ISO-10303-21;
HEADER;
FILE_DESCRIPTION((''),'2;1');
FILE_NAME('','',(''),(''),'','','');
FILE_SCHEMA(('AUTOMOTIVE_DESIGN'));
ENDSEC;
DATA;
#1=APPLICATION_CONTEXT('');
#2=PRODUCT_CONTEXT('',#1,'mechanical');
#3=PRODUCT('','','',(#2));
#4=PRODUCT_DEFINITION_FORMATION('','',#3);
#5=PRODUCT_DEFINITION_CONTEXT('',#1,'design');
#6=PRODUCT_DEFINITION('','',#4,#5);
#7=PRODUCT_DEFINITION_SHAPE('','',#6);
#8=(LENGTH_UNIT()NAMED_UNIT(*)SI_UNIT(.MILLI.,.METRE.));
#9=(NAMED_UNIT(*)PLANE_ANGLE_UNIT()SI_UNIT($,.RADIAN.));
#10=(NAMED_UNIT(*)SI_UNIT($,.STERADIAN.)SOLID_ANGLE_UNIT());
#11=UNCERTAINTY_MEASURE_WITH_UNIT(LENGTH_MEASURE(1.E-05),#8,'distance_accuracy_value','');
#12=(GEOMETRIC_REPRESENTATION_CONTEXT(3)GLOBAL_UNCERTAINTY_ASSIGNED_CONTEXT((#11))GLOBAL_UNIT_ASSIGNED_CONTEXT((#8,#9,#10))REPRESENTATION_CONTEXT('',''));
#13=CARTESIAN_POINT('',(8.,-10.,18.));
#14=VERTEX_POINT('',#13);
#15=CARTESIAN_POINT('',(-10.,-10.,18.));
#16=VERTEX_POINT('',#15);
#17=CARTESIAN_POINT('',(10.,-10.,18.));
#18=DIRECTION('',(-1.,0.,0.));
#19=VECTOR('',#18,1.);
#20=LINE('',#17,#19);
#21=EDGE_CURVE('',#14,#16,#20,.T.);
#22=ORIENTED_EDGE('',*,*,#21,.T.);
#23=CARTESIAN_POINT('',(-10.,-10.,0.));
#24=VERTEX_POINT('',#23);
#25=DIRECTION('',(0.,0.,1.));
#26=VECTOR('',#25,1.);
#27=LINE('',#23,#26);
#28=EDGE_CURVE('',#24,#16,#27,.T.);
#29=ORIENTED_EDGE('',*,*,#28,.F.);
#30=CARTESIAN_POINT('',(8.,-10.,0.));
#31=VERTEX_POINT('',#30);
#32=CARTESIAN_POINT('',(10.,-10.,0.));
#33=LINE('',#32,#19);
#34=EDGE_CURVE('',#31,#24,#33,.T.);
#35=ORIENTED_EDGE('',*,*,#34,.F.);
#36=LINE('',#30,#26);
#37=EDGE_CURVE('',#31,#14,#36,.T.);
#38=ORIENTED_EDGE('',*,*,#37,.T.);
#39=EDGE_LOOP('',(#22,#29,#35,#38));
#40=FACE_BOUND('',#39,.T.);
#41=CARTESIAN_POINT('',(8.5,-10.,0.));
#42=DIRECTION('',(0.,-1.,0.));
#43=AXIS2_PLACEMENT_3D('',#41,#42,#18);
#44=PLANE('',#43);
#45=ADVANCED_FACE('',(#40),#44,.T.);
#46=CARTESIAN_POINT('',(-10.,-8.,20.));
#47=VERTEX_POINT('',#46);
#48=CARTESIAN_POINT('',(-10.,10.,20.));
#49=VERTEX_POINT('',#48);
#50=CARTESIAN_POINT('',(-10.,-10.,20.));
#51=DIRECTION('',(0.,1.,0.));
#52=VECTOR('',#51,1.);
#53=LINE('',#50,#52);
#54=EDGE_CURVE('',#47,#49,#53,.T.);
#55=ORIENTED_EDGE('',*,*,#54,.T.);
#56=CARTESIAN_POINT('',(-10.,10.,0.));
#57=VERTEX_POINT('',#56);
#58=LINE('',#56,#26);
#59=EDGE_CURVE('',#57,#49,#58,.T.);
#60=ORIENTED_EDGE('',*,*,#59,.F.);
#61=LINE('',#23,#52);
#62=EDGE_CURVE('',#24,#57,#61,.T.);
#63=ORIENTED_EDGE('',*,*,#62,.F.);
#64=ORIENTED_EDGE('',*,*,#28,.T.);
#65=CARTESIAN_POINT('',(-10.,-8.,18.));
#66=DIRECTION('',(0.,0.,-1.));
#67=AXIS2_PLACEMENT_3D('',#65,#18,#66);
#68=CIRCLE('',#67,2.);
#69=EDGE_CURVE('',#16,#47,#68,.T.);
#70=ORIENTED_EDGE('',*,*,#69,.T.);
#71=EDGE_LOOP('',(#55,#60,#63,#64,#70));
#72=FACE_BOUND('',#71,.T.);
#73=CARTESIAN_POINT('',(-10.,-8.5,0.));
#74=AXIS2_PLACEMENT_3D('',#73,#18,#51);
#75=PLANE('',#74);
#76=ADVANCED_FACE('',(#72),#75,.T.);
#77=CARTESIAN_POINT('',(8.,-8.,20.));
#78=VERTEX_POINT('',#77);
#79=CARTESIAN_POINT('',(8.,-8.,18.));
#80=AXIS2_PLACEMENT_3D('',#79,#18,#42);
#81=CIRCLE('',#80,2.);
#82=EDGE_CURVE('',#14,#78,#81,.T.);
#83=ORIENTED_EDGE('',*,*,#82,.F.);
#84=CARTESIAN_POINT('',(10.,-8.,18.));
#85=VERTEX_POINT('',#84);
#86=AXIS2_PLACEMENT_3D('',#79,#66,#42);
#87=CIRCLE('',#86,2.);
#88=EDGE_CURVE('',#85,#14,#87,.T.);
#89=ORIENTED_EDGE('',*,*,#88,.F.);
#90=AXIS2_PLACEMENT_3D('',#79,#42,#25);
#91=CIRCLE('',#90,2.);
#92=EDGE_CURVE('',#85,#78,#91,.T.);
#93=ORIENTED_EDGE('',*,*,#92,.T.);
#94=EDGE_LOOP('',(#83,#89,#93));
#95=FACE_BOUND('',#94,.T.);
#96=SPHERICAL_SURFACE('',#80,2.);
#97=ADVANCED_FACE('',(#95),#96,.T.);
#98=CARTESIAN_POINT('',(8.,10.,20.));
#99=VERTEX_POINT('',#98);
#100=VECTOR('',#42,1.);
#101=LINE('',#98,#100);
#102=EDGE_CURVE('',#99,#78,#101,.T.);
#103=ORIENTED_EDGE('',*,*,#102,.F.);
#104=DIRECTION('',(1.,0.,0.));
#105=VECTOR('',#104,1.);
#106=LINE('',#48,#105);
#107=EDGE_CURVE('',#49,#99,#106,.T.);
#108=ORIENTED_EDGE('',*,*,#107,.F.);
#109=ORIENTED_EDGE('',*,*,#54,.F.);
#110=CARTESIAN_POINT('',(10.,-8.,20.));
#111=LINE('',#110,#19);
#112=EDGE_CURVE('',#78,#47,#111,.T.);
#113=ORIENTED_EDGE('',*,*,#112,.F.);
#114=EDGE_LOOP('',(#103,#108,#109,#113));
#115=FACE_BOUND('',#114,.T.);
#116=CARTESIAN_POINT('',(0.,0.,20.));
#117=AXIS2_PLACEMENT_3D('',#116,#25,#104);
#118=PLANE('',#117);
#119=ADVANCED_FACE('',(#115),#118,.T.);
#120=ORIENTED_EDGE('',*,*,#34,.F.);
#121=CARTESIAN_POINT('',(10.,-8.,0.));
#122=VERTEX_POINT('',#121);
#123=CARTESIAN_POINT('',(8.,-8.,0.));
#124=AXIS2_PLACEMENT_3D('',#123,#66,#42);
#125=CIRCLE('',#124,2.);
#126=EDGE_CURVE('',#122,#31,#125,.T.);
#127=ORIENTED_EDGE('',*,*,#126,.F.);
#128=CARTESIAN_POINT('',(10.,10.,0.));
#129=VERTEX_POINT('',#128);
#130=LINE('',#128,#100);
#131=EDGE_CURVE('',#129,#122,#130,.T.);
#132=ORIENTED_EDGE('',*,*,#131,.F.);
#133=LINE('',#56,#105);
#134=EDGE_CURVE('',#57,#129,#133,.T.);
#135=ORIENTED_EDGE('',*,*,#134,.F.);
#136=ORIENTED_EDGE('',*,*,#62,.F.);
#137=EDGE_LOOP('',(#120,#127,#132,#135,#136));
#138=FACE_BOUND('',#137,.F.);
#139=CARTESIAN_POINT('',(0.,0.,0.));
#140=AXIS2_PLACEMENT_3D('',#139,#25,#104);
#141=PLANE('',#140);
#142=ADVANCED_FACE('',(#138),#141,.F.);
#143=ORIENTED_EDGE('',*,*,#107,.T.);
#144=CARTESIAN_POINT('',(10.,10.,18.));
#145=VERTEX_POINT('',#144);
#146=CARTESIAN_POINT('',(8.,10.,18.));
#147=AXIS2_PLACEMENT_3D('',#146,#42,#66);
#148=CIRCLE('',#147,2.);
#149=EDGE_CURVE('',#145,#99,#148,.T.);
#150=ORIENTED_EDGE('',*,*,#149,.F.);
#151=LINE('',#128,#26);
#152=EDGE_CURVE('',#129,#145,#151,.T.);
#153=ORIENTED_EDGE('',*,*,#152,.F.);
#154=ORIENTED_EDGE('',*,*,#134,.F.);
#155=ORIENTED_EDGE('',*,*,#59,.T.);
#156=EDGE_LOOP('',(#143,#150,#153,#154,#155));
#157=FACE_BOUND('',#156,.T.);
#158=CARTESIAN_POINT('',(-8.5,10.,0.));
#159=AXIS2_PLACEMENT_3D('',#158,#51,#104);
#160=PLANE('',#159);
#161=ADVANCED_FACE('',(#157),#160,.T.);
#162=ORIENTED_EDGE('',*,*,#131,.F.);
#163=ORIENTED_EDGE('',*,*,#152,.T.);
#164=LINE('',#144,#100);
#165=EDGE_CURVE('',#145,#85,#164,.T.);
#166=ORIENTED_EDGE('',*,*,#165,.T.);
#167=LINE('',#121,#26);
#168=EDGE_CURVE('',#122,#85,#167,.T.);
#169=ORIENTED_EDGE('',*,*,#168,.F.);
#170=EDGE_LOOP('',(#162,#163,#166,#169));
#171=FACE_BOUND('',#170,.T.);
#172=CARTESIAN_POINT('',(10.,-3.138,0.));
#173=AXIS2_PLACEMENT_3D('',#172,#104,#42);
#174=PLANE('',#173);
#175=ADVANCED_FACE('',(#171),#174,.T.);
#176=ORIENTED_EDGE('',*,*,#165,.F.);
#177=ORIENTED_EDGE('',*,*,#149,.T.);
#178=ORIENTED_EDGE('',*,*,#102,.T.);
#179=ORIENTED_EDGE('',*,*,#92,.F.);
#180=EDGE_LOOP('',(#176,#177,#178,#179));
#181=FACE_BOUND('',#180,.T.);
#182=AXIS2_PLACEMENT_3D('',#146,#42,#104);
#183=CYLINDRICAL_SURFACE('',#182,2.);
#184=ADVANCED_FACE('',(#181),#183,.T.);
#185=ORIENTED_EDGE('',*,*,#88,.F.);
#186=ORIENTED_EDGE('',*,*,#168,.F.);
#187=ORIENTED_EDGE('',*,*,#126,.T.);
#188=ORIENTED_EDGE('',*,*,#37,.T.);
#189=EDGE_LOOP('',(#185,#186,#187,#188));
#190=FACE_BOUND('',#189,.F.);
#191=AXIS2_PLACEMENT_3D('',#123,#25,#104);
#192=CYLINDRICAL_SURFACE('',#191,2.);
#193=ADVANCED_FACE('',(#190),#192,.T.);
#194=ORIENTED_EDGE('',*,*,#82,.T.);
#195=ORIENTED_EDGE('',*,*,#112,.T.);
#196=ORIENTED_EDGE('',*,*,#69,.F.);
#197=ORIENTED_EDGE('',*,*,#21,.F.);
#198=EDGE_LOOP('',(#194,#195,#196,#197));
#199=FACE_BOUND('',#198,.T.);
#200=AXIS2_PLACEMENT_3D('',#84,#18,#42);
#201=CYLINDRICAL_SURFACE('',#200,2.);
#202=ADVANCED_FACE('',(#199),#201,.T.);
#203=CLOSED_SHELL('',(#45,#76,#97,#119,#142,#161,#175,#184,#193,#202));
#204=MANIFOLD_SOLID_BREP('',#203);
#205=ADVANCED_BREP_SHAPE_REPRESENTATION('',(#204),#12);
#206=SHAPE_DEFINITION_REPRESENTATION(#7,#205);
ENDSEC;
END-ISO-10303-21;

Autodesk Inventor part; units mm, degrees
ref_plane "YZ Plane" through (0, 0, 0) normal (1, 0, 0) x (0, 1, 0)
ref_plane "XZ Plane" through (0, 0, 0) normal (0, 1, 0) x (-1, 0, 0)
ref_plane "XY Plane" through (0, 0, 0) normal (0, 0, 1) x (1, 0, 0)
sketch "Sketch1" plane through (0, 0, 0) normal (0, 0, 1) x (1, 0, 0)
  arc A0 (-0.804, -1.9351) -> (0.804, -1.9351) centre (0, 0) ccw projected
  arc A1 (-2.1249, -2.3045) -> (-0.804, -1.9351) centre (-1.5684, -1.748) ccw projected
  line L0 (-2.3045, -2.1249) -> (-2.1249, -2.3045) projected
  arc A2 (-1.9351, -0.804) -> (-2.3045, -2.1249) centre (-1.748, -1.5684) ccw projected
  arc A3 (-1.9351, 0.804) -> (-1.9351, -0.804) centre (0, 0) ccw projected
  arc A4 (-2.3045, 2.1249) -> (-1.9351, 0.804) centre (-1.748, 1.5684) ccw projected
  line L1 (-2.1249, 2.3045) -> (-2.3045, 2.1249) projected
  arc A5 (-0.804, 1.9351) -> (-2.1249, 2.3045) centre (-1.5684, 1.748) ccw projected
  arc A6 (0.804, 1.9351) -> (-0.804, 1.9351) centre (0, 0) ccw projected
  arc A7 (2.1249, 2.3045) -> (0.804, 1.9351) centre (1.5684, 1.748) ccw projected
  line L2 (2.3045, 2.1249) -> (2.1249, 2.3045) projected
  arc A8 (1.9351, 0.804) -> (2.3045, 2.1249) centre (1.748, 1.5684) ccw projected
  arc A9 (1.9351, -0.804) -> (1.9351, 0.804) centre (0, 0) ccw projected
  arc A10 (2.3045, -2.1249) -> (1.9351, -0.804) centre (1.748, -1.5684) ccw projected
  line L3 (2.1249, -2.3045) -> (2.3045, -2.1249) projected
  arc A11 (0.804, -1.9351) -> (2.1249, -2.3045) centre (1.5684, -1.748) ccw projected
  arc A12 (8.5, 5.487) -> (7.992, 5.995) centre (7.992, 5.487) ccw projected
  line L4 (8.5, 3.138) -> (8.5, 5.487) projected
  arc A13 (8.5, 3.138) -> (9.008, 2.63) centre (9.008, 3.138) ccw projected
  line L5 (9.492, 2.63) -> (9.008, 2.63) projected
  arc A14 (9.492, 2.63) -> (10, 3.138) centre (9.492, 3.138) ccw projected
  line L6 (10, 8.5) -> (10, 3.138) projected
  arc A15 (10, 8.5) -> (8.5, 10) centre (8.5, 8.5) ccw projected
  line L7 (3.138, 10) -> (8.5, 10) projected
  arc A16 (3.138, 10) -> (2.63, 9.492) centre (3.138, 9.492) ccw projected
  line L8 (2.63, 9.008) -> (2.63, 9.492) projected
  arc A17 (2.63, 9.008) -> (3.138, 8.5) centre (3.138, 9.008) ccw projected
  line L9 (5.487, 8.5) -> (3.138, 8.5) projected
  arc A18 (5.995, 7.992) -> (5.487, 8.5) centre (5.487, 7.992) ccw projected
  line L10 (5.995, 7.2661) -> (5.995, 7.992) projected
  arc A19 (5.8462, 6.9069) -> (5.995, 7.2661) centre (5.487, 7.2661) ccw projected
  line L11 (2.7431, 3.8038) -> (5.8462, 6.9069) projected
  arc A20 (2.3839, 3.655) -> (2.7431, 3.8038) centre (2.3839, 4.163) ccw projected
  line L12 (-2.3839, 3.655) -> (2.3839, 3.655) projected
  arc A21 (-2.7431, 3.8038) -> (-2.3839, 3.655) centre (-2.3839, 4.163) ccw projected
  line L13 (-5.8462, 6.9069) -> (-2.7431, 3.8038) projected
  arc A22 (-5.995, 7.2661) -> (-5.8462, 6.9069) centre (-5.487, 7.2661) ccw projected
  line L14 (-5.995, 7.992) -> (-5.995, 7.2661) projected
  arc A23 (-5.487, 8.5) -> (-5.995, 7.992) centre (-5.487, 7.992) ccw projected
  line L15 (-3.138, 8.5) -> (-5.487, 8.5) projected
  arc A24 (-3.138, 8.5) -> (-2.63, 9.008) centre (-3.138, 9.008) ccw projected
  line L16 (-2.63, 9.492) -> (-2.63, 9.008) projected
  arc A25 (-2.63, 9.492) -> (-3.138, 10) centre (-3.138, 9.492) ccw projected
  line L17 (-8.5, 10) -> (-3.138, 10) projected
  arc A26 (-8.5, 10) -> (-10, 8.5) centre (-8.5, 8.5) ccw projected
  line L18 (-10, 3.138) -> (-10, 8.5) projected
  arc A27 (-10, 3.138) -> (-9.492, 2.63) centre (-9.492, 3.138) ccw projected
  line L19 (-9.008, 2.63) -> (-9.492, 2.63) projected
  arc A28 (-9.008, 2.63) -> (-8.5, 3.138) centre (-9.008, 3.138) ccw projected
  line L20 (-8.5, 5.487) -> (-8.5, 3.138) projected
  arc A29 (-7.992, 5.995) -> (-8.5, 5.487) centre (-7.992, 5.487) ccw projected
  line L21 (-7.2661, 5.995) -> (-7.992, 5.995) projected
  arc A30 (-6.9069, 5.8462) -> (-7.2661, 5.995) centre (-7.2661, 5.487) ccw projected
  line L22 (-3.8038, 2.7431) -> (-6.9069, 5.8462) projected
  arc A31 (-3.655, 2.3839) -> (-3.8038, 2.7431) centre (-4.163, 2.3839) ccw projected
  line L23 (-3.655, -2.3839) -> (-3.655, 2.3839) projected
  arc A32 (-3.8038, -2.7431) -> (-3.655, -2.3839) centre (-4.163, -2.3839) ccw projected
  line L24 (-6.9069, -5.8462) -> (-3.8038, -2.7431) projected
  arc A33 (-7.2661, -5.995) -> (-6.9069, -5.8462) centre (-7.2661, -5.487) ccw projected
  line L25 (-7.992, -5.995) -> (-7.2661, -5.995) projected
  arc A34 (-8.5, -5.487) -> (-7.992, -5.995) centre (-7.992, -5.487) ccw projected
  line L26 (-8.5, -3.138) -> (-8.5, -5.487) projected
  arc A35 (-8.5, -3.138) -> (-9.008, -2.63) centre (-9.008, -3.138) ccw projected
  line L27 (-9.492, -2.63) -> (-9.008, -2.63) projected
  arc A36 (-9.492, -2.63) -> (-10, -3.138) centre (-9.492, -3.138) ccw projected
  line L28 (-10, -8.5) -> (-10, -3.138) projected
  arc A37 (-10, -8.5) -> (-8.5, -10) centre (-8.5, -8.5) ccw projected
  line L29 (-3.138, -10) -> (-8.5, -10) projected
  arc A38 (-3.138, -10) -> (-2.63, -9.492) centre (-3.138, -9.492) ccw projected
  line L30 (-2.63, -9.008) -> (-2.63, -9.492) projected
  arc A39 (-2.63, -9.008) -> (-3.138, -8.5) centre (-3.138, -9.008) ccw projected
  line L31 (-5.487, -8.5) -> (-3.138, -8.5) projected
  arc A40 (-5.995, -7.992) -> (-5.487, -8.5) centre (-5.487, -7.992) ccw projected
  line L32 (-5.995, -7.2661) -> (-5.995, -7.992) projected
  arc A41 (-5.8462, -6.9069) -> (-5.995, -7.2661) centre (-5.487, -7.2661) ccw projected
  line L33 (-2.7431, -3.8038) -> (-5.8462, -6.9069) projected
  arc A42 (-2.3839, -3.655) -> (-2.7431, -3.8038) centre (-2.3839, -4.163) ccw projected
  line L34 (2.3839, -3.655) -> (-2.3839, -3.655) projected
  arc A43 (2.7431, -3.8038) -> (2.3839, -3.655) centre (2.3839, -4.163) ccw projected
  line L35 (5.8462, -6.9069) -> (2.7431, -3.8038) projected
  arc A44 (5.995, -7.2661) -> (5.8462, -6.9069) centre (5.487, -7.2661) ccw projected
  line L36 (5.995, -7.992) -> (5.995, -7.2661) projected
  arc A45 (5.487, -8.5) -> (5.995, -7.992) centre (5.487, -7.992) ccw projected
  line L37 (3.138, -8.5) -> (5.487, -8.5) projected
  arc A46 (3.138, -8.5) -> (2.63, -9.008) centre (3.138, -9.008) ccw projected
  line L38 (2.63, -9.492) -> (2.63, -9.008) projected
  arc A47 (2.63, -9.492) -> (3.138, -10) centre (3.138, -9.492) ccw projected
  line L39 (8.5, -10) -> (3.138, -10) projected
  arc A48 (8.5, -10) -> (10, -8.5) centre (8.5, -8.5) ccw projected
  line L40 (10, -3.138) -> (10, -8.5) projected
  arc A49 (10, -3.138) -> (9.492, -2.63) centre (9.492, -3.138) ccw projected
  line L41 (9.008, -2.63) -> (9.492, -2.63) projected
  arc A50 (9.008, -2.63) -> (8.5, -3.138) centre (9.008, -3.138) ccw projected
  line L42 (8.5, -5.487) -> (8.5, -3.138) projected
  arc A51 (7.992, -5.995) -> (8.5, -5.487) centre (7.992, -5.487) ccw projected
  line L43 (7.2661, -5.995) -> (7.992, -5.995) projected
  arc A52 (6.9069, -5.8462) -> (7.2661, -5.995) centre (7.2661, -5.487) ccw projected
  line L44 (3.8038, -2.7431) -> (6.9069, -5.8462) projected
  arc A53 (3.655, -2.3839) -> (3.8038, -2.7431) centre (4.163, -2.3839) ccw projected
  line L45 (3.655, 2.3839) -> (3.655, -2.3839) projected
  arc A54 (3.8038, 2.7431) -> (3.655, 2.3839) centre (4.163, 2.3839) ccw projected
  line L46 (6.9069, 5.8462) -> (3.8038, 2.7431) projected
  arc A55 (7.2661, 5.995) -> (6.9069, 5.8462) centre (7.2661, 5.487) ccw projected
  line L47 (7.992, 5.995) -> (7.2661, 5.995) projected
  line L48 (10, -10) -> (-10, -10)
  line L49 (-10, -10) -> (-10, 10)
  line L50 (-10, 10) -> (10, 10)
  line L51 (10, 10) -> (10, -10)
  point P0 (0, 0)
extrude "Extrusion1" add sketch "Sketch1" along normal blind 20 contours A1 L0 A2 A3 A4 L1 A5 A6 A7 L2 A8 A9 A10 L3 A11 A0 | L4 A13 L5 A14 L51 A49 L41 A50 L42 A51 L43 A52 L44 A53 L45 A54 L46 A55 L47 A12 | A12 L47 A55 L46 A54 L45 A53 L44 A52 L43 A51 L42 A50 L41 A49 L40 A48 L39 A47 L38 A46 L37 A45 L36 A44 L35 A43 L34 A42 L33 A41 L32 A40 L31 A39 L30 A38 L29 A37 L28 A36 L27 A35 L26 A34 L25 A33 L24 A32 L23 A31 L22 A30 L21 A29 L20 A28 L19 A27 L18 A26 L17 A25 L16 A24 L15 A23 L14 A22 L13 A21 L12 A20 L11 A19 L10 A18 L9 A17 L8 A16 L7 A15 L6 A14 L5 A13 L4 | A15 L50 L51 | L51 L48 A48 | A16 L8 A17 L9 A18 L10 A19 L11 A20 L12 A21 L13 A22 L14 A23 L15 A24 L16 A25 L50 | L48 A38 L30 A39 L31 A40 L32 A41 L33 A42 L34 A43 L35 A44 L36 A45 L37 A46 L38 A47 | A26 L49 L50 | L48 L49 A37 | A27 L19 A28 L20 A29 L21 A30 L22 A31 L23 A32 L24 A33 L25 A34 L26 A35 L27 A36 L49
fillet "Fillet1" radius 2 3 edges at (0, -10, 20) (10, -10, 10) (10, 0, 20)
properties part number "corner"
